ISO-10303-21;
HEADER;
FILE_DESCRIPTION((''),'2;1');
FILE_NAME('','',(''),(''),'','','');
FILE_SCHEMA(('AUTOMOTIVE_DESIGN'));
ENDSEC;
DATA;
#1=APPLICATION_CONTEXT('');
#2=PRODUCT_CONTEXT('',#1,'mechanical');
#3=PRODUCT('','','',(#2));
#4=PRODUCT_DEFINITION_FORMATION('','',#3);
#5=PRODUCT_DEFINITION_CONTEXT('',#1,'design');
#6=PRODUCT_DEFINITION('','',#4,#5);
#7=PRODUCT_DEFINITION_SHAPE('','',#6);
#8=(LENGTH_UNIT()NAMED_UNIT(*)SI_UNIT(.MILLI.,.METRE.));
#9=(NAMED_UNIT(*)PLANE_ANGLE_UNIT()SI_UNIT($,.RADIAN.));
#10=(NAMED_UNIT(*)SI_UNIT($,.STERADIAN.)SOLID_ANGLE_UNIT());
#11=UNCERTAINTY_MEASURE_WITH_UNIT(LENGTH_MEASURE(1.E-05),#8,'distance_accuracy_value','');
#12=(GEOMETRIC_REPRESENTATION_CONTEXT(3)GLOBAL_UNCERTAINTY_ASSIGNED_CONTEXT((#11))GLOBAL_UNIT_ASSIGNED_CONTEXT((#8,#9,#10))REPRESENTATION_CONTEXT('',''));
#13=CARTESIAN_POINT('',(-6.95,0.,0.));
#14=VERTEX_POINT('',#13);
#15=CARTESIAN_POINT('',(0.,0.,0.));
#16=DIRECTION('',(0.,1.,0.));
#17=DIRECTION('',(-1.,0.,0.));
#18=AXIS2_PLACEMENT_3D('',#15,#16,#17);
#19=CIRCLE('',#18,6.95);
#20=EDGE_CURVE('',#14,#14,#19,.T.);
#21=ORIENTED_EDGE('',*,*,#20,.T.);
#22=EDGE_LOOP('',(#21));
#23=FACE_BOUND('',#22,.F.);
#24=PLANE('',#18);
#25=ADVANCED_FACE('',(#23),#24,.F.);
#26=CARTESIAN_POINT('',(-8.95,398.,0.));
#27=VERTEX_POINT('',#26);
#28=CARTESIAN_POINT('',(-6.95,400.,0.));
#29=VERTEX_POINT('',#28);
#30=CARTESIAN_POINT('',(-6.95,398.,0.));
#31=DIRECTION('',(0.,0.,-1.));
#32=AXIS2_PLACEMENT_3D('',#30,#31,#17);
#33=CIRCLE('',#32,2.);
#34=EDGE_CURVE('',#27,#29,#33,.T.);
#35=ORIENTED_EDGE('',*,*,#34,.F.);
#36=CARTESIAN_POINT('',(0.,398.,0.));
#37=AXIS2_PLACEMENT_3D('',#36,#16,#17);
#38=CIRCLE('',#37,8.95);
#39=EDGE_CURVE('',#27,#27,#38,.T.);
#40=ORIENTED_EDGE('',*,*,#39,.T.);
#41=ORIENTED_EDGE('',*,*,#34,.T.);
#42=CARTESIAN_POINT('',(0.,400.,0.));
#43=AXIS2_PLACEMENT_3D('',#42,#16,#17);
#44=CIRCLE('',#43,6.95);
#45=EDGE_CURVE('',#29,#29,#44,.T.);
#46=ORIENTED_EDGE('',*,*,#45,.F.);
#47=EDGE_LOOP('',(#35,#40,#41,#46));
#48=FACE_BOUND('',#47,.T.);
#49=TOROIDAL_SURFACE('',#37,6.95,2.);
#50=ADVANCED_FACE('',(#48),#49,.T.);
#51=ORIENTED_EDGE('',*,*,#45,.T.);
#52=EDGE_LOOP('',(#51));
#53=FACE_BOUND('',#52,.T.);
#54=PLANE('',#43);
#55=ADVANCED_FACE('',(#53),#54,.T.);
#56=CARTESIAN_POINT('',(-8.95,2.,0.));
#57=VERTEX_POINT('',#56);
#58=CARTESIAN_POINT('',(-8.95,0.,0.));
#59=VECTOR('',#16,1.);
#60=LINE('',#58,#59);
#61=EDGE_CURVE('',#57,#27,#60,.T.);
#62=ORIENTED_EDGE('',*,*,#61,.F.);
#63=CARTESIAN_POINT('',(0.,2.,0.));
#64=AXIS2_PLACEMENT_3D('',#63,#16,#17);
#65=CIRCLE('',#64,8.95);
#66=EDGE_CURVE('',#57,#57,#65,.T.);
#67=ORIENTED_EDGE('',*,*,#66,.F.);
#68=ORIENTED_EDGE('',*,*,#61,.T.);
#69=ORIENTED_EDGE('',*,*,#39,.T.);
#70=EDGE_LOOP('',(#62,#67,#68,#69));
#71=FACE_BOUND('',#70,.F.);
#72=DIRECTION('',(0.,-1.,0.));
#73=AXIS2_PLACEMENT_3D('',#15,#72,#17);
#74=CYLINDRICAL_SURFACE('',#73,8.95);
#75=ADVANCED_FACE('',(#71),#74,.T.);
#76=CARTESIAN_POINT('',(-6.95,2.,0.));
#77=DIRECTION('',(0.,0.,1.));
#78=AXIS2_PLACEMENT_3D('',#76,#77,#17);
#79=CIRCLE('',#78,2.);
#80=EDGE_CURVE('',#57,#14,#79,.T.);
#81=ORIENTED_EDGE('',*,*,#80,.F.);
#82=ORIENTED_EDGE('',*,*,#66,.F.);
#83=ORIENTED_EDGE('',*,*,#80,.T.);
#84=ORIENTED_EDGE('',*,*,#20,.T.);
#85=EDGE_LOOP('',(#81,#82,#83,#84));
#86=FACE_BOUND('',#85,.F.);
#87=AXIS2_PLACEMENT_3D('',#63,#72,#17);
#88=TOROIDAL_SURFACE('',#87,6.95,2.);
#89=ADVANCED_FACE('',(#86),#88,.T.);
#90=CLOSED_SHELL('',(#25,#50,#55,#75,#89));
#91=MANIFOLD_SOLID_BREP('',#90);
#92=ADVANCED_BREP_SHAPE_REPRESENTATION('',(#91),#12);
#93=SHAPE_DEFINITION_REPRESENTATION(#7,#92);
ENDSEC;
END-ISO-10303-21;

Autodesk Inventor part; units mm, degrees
ref_plane "YZ Plane" through (0, 0, 0) normal (1, 0, 0) x (0, 1, 0)
ref_plane "XZ Plane" through (0, 0, 0) normal (0, 1, 0) x (-1, 0, 0)
ref_plane "XY Plane" through (0, 0, 0) normal (0, 0, 1) x (1, 0, 0)
sketch "Sketch1" plane through (0, 0, 0) normal (0, 1, 0) x (-1, 0, 0)
  circle A0 centre (0, 0) radius 8.95
  dimension "d0" = 17.9
extrude "Extrusion1" add sketch "Sketch1" along normal blind 400
fillet "Fillet1" radius 2 2 edges at (8.95, 400, 0) (8.95, 0, 0)
properties part number "pret_pionowy"
